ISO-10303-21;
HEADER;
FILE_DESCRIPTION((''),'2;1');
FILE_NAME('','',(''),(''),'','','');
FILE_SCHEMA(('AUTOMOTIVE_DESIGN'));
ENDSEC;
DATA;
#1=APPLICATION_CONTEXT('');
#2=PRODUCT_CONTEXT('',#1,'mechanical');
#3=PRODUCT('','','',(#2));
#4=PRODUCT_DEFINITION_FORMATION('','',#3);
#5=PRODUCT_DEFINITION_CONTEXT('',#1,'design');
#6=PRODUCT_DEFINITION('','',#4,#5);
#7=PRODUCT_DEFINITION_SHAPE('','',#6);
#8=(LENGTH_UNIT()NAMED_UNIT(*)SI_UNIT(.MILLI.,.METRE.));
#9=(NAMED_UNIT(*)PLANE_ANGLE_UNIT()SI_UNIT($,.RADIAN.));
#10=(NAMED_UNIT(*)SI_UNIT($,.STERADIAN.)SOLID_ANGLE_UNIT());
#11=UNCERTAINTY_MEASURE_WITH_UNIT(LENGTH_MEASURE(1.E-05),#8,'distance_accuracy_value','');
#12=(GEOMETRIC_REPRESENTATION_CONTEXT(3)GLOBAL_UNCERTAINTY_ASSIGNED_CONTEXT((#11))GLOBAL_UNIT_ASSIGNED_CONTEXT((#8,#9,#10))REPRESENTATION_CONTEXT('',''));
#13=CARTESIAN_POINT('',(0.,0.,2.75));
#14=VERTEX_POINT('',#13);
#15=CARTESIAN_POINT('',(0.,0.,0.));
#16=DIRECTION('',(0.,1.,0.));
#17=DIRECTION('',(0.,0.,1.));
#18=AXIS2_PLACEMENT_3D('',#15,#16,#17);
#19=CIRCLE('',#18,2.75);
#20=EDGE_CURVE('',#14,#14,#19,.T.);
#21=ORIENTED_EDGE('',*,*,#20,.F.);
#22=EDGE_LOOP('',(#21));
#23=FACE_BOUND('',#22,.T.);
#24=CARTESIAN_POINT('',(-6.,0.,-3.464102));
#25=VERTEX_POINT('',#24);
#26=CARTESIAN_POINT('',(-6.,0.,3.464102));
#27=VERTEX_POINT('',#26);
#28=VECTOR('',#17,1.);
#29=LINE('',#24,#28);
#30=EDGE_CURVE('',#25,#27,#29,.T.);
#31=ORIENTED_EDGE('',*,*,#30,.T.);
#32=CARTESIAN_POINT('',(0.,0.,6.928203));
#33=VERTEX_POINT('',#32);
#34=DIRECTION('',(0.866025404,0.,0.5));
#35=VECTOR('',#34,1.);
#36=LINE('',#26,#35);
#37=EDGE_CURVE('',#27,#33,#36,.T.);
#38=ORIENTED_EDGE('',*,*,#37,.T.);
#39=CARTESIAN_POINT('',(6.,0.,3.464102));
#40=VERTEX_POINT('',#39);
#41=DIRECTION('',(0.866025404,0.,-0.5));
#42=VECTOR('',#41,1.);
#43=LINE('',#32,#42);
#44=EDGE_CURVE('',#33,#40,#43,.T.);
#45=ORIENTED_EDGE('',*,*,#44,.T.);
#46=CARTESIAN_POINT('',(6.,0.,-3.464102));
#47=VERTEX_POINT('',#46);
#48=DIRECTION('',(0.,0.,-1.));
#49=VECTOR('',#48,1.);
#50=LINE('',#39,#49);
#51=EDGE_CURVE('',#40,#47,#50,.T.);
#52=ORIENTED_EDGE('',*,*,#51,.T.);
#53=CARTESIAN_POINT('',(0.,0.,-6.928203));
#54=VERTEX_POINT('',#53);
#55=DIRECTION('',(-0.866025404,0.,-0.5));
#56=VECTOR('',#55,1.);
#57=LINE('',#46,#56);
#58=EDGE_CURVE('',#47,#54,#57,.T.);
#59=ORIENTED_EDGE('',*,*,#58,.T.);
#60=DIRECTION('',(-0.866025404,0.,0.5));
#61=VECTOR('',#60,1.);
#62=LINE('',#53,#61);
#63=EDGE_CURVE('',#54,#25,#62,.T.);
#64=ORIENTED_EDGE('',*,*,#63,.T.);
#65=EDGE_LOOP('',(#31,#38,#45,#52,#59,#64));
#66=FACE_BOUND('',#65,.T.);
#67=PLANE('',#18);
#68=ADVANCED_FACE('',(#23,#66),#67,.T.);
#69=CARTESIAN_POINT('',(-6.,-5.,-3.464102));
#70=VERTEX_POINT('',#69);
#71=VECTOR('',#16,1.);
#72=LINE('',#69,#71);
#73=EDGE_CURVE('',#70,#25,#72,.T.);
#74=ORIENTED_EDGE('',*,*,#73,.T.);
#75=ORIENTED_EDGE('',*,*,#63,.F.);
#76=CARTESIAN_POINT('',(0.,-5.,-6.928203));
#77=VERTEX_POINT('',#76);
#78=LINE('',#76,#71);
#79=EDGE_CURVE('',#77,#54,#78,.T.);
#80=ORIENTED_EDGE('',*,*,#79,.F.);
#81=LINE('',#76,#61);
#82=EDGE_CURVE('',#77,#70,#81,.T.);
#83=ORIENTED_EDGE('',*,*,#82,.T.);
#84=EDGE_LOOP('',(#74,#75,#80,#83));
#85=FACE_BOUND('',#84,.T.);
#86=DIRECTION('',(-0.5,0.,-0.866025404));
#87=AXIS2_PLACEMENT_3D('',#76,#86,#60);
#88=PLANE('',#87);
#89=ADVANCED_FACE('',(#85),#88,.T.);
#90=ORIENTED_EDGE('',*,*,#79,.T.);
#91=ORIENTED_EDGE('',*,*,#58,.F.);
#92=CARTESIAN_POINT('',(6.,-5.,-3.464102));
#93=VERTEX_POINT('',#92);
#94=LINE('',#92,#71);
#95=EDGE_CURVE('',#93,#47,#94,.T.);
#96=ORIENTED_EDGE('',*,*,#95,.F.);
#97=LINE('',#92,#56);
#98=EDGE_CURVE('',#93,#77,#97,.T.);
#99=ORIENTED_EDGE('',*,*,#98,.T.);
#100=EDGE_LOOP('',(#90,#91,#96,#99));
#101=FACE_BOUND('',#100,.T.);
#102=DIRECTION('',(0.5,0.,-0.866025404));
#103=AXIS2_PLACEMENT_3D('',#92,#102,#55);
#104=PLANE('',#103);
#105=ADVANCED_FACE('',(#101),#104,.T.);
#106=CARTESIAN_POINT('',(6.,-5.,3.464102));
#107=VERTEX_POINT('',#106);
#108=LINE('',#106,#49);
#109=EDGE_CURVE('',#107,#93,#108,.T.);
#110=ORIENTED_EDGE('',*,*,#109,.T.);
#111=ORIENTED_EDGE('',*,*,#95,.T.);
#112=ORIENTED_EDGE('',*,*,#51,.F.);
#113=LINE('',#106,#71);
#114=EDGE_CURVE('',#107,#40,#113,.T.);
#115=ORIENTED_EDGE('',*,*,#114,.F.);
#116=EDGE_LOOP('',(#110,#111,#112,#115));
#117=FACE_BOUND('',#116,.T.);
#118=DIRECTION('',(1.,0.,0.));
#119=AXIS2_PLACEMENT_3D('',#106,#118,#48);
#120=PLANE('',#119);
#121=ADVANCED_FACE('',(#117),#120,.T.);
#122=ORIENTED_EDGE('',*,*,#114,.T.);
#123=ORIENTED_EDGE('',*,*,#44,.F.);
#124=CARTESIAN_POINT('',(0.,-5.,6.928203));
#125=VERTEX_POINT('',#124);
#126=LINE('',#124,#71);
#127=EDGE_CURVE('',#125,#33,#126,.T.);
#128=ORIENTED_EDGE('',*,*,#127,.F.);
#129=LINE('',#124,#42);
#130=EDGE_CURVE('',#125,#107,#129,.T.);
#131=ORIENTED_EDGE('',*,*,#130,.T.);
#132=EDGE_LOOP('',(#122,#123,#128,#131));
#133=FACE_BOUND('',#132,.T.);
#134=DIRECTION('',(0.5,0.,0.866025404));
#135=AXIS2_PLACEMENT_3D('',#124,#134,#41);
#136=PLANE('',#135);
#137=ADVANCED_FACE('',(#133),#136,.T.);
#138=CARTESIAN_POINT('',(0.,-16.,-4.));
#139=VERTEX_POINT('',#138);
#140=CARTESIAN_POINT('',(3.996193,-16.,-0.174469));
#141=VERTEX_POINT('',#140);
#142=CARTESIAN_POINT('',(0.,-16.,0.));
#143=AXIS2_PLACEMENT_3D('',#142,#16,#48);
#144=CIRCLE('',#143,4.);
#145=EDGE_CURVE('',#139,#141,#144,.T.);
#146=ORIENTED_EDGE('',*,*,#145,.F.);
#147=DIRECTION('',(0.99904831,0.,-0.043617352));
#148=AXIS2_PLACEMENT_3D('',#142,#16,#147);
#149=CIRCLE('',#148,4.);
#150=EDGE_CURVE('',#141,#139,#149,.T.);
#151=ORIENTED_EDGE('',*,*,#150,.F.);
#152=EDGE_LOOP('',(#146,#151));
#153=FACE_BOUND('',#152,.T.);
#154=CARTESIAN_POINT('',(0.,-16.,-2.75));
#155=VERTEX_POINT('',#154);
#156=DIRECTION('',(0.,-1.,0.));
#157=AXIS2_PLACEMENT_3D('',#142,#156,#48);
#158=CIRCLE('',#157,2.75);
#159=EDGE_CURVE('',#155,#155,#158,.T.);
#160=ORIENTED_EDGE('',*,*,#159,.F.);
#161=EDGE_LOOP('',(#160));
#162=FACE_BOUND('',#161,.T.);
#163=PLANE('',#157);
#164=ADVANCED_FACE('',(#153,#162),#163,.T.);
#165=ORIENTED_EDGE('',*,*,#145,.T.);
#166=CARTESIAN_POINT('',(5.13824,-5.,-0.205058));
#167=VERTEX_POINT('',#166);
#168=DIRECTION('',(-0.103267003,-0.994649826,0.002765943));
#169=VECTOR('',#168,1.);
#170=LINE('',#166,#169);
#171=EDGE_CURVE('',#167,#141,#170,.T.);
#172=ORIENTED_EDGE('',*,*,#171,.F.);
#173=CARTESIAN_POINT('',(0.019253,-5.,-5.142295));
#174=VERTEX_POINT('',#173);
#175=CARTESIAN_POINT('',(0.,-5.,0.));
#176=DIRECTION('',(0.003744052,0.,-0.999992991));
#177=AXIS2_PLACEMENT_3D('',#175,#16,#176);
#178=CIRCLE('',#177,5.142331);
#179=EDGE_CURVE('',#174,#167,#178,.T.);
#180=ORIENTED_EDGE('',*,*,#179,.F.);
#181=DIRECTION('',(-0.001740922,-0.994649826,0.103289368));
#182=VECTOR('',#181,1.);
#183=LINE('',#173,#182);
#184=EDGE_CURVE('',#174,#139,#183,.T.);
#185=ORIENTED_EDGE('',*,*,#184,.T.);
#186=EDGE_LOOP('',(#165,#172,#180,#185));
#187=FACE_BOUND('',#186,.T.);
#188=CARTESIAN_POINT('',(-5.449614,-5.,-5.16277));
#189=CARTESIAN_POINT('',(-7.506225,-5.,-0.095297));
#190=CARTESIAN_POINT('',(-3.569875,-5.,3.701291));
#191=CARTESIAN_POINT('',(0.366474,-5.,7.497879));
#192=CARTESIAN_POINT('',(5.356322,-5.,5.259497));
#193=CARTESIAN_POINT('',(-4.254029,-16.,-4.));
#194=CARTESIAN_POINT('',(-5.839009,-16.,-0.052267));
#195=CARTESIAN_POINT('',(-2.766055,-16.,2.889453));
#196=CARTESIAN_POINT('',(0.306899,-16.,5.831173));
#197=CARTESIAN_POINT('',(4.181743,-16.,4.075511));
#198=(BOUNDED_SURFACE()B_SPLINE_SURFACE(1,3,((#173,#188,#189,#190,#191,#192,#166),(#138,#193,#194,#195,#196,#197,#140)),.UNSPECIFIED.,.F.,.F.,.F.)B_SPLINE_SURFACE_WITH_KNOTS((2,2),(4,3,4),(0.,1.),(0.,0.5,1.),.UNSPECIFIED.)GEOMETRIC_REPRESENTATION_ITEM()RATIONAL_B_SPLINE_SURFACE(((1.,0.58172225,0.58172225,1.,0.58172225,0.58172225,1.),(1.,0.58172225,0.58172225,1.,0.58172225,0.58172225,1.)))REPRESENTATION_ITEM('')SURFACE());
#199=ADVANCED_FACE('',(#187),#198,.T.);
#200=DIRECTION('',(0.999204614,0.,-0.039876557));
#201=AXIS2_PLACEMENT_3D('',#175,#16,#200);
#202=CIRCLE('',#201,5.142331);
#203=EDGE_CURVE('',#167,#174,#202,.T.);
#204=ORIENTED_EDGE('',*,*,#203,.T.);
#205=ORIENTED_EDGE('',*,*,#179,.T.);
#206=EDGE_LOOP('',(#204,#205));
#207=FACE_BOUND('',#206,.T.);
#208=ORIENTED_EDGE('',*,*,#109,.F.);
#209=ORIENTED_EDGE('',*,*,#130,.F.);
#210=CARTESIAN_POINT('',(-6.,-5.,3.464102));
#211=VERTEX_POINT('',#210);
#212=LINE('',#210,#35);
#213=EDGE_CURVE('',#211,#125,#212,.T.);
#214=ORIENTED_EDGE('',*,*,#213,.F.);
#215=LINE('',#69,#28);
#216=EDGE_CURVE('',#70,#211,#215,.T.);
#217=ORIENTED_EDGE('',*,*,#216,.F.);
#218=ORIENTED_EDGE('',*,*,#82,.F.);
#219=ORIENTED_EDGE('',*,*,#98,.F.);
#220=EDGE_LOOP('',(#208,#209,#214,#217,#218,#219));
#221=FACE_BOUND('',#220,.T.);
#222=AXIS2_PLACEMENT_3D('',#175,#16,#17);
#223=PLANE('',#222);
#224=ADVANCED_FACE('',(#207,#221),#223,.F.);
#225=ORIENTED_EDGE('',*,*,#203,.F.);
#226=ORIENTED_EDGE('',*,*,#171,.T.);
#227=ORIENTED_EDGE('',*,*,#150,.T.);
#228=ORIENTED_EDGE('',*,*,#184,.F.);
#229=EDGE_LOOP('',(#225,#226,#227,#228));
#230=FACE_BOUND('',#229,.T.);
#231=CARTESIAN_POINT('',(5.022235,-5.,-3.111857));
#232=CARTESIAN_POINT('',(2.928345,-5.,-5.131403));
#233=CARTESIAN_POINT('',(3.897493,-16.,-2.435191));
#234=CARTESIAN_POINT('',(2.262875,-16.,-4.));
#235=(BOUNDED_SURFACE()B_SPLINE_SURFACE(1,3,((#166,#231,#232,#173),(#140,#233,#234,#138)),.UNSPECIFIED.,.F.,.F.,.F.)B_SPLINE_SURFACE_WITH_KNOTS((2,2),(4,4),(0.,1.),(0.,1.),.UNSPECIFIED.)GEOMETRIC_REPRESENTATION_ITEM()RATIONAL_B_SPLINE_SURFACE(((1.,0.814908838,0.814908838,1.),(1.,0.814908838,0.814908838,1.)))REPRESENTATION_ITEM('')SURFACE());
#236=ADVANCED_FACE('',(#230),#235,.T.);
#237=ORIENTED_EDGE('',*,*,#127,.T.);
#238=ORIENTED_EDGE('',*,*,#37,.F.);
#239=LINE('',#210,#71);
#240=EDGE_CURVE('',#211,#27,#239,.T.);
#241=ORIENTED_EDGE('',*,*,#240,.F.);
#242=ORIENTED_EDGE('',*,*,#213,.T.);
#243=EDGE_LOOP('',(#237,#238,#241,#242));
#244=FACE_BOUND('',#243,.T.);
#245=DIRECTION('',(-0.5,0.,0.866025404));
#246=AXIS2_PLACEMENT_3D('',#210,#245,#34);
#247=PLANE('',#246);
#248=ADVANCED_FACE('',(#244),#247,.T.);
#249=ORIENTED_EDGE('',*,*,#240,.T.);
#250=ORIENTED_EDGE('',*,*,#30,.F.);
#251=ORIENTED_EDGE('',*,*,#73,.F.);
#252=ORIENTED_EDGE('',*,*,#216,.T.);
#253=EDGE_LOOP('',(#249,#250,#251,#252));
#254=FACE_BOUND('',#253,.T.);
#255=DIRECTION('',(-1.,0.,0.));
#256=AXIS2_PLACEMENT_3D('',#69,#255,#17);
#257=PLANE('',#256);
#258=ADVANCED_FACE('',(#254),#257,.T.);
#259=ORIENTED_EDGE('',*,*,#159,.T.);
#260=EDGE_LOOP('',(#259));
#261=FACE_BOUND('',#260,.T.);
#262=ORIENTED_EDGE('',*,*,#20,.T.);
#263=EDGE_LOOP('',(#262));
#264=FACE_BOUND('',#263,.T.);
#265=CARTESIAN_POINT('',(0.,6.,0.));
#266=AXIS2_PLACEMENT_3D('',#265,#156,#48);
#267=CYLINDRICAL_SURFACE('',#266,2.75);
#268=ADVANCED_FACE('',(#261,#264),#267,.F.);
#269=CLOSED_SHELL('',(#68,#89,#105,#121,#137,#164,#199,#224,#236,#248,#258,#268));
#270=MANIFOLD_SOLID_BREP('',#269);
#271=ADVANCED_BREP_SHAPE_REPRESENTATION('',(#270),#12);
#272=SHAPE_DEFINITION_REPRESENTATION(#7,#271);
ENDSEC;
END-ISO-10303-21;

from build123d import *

# Parameters (mm, degrees)
RESSALTO_EXTRUS_O1_DEPTH = 5
ESBO_O2_R                = 4
RESSALTO_EXTRUS_O2_DEPTH = 11
ESBO_O3_R                = 2.75
CORTE_EXTRUS_O1_DEPTH    = 22


with BuildPart() as part:
    # Esboço1 → Ressalto-extrusão1 (new body)
    with BuildSketch(Plane(origin=(0, 0, 0), x_dir=(1, 0, 0), z_dir=(0, 1, 0))):
        Polygon((0, -6.92820323), (6, -3.464101615), (6, 3.464101615), (0, 6.92820323), (-6, 3.464101615), (-6, -3.464101615), align=None)
    extrude(amount=-RESSALTO_EXTRUS_O1_DEPTH)


with BuildPart() as body_2:
    # Esboço2 → Ressalto-extrusão2 (new body)
    with BuildSketch(Plane.XZ.offset(5)):
        with Locations(Location((0, 0, 0), (0, 0, 270))):
            Circle(ESBO_O2_R)
    extrude(amount=RESSALTO_EXTRUS_O2_DEPTH)


with BuildPart() as corte_extrus_o1_tool:
    # Esboço3 → Corte-extrusão1 (new body)
    with BuildSketch(Plane.XZ.offset(16)):
        with Locations(Location((0, 0, 0), (0, 0, 90))):
            Circle(ESBO_O3_R)
    extrude(amount=-CORTE_EXTRUS_O1_DEPTH)


with BuildPart() as part_1:
    add(part.part)

    # Corte-extrusão1: cut by corte_extrus_o1_tool
    add(corte_extrus_o1_tool.part, mode=Mode.SUBTRACT)



with BuildPart() as body_2_1:
    add(body_2.part)

    # Corte-extrusão1: cut by corte_extrus_o1_tool
    add(corte_extrus_o1_tool.part, mode=Mode.SUBTRACT)


with BuildPart() as part_2:
    add(part_1.part)

    add(body_2_1.part)  # Varredura1 merges body 2
    # Varredura1: sweep along a curve in space
    with BuildLine() as varredura1_path:
        ThreePointArc((0, -16, -4), (2.828427125, -16, -2.828427125), (4, -16, 0))
        ThreePointArc((4, -16, 0), (2.828427125, -16, 2.828427125), (0, -16, 4))
        ThreePointArc((0, -16, 4), (-2.828427125, -16, 2.828427125), (-4, -16, 0))
        ThreePointArc((-4, -16, 0), (-2.828427125, -16, -2.828427125), (0, -16, -4))
    # 3DSketch3 → Varredura1 (sweep)
    with BuildSketch(Plane(origin=(3.994740422, -5, -0.205058439), x_dir=(0.00013207405092369588, -0.999996124817467, 0.0027808104024168727), z_dir=(0, 0.0027808104266704827, 0.9999961335392108))):
        Polygon((0, 0), (0.000151027, 1.14349999), (11.000042627, 0), align=None)
    sweep(path=varredura1_path.line)


solid = part_2.part
